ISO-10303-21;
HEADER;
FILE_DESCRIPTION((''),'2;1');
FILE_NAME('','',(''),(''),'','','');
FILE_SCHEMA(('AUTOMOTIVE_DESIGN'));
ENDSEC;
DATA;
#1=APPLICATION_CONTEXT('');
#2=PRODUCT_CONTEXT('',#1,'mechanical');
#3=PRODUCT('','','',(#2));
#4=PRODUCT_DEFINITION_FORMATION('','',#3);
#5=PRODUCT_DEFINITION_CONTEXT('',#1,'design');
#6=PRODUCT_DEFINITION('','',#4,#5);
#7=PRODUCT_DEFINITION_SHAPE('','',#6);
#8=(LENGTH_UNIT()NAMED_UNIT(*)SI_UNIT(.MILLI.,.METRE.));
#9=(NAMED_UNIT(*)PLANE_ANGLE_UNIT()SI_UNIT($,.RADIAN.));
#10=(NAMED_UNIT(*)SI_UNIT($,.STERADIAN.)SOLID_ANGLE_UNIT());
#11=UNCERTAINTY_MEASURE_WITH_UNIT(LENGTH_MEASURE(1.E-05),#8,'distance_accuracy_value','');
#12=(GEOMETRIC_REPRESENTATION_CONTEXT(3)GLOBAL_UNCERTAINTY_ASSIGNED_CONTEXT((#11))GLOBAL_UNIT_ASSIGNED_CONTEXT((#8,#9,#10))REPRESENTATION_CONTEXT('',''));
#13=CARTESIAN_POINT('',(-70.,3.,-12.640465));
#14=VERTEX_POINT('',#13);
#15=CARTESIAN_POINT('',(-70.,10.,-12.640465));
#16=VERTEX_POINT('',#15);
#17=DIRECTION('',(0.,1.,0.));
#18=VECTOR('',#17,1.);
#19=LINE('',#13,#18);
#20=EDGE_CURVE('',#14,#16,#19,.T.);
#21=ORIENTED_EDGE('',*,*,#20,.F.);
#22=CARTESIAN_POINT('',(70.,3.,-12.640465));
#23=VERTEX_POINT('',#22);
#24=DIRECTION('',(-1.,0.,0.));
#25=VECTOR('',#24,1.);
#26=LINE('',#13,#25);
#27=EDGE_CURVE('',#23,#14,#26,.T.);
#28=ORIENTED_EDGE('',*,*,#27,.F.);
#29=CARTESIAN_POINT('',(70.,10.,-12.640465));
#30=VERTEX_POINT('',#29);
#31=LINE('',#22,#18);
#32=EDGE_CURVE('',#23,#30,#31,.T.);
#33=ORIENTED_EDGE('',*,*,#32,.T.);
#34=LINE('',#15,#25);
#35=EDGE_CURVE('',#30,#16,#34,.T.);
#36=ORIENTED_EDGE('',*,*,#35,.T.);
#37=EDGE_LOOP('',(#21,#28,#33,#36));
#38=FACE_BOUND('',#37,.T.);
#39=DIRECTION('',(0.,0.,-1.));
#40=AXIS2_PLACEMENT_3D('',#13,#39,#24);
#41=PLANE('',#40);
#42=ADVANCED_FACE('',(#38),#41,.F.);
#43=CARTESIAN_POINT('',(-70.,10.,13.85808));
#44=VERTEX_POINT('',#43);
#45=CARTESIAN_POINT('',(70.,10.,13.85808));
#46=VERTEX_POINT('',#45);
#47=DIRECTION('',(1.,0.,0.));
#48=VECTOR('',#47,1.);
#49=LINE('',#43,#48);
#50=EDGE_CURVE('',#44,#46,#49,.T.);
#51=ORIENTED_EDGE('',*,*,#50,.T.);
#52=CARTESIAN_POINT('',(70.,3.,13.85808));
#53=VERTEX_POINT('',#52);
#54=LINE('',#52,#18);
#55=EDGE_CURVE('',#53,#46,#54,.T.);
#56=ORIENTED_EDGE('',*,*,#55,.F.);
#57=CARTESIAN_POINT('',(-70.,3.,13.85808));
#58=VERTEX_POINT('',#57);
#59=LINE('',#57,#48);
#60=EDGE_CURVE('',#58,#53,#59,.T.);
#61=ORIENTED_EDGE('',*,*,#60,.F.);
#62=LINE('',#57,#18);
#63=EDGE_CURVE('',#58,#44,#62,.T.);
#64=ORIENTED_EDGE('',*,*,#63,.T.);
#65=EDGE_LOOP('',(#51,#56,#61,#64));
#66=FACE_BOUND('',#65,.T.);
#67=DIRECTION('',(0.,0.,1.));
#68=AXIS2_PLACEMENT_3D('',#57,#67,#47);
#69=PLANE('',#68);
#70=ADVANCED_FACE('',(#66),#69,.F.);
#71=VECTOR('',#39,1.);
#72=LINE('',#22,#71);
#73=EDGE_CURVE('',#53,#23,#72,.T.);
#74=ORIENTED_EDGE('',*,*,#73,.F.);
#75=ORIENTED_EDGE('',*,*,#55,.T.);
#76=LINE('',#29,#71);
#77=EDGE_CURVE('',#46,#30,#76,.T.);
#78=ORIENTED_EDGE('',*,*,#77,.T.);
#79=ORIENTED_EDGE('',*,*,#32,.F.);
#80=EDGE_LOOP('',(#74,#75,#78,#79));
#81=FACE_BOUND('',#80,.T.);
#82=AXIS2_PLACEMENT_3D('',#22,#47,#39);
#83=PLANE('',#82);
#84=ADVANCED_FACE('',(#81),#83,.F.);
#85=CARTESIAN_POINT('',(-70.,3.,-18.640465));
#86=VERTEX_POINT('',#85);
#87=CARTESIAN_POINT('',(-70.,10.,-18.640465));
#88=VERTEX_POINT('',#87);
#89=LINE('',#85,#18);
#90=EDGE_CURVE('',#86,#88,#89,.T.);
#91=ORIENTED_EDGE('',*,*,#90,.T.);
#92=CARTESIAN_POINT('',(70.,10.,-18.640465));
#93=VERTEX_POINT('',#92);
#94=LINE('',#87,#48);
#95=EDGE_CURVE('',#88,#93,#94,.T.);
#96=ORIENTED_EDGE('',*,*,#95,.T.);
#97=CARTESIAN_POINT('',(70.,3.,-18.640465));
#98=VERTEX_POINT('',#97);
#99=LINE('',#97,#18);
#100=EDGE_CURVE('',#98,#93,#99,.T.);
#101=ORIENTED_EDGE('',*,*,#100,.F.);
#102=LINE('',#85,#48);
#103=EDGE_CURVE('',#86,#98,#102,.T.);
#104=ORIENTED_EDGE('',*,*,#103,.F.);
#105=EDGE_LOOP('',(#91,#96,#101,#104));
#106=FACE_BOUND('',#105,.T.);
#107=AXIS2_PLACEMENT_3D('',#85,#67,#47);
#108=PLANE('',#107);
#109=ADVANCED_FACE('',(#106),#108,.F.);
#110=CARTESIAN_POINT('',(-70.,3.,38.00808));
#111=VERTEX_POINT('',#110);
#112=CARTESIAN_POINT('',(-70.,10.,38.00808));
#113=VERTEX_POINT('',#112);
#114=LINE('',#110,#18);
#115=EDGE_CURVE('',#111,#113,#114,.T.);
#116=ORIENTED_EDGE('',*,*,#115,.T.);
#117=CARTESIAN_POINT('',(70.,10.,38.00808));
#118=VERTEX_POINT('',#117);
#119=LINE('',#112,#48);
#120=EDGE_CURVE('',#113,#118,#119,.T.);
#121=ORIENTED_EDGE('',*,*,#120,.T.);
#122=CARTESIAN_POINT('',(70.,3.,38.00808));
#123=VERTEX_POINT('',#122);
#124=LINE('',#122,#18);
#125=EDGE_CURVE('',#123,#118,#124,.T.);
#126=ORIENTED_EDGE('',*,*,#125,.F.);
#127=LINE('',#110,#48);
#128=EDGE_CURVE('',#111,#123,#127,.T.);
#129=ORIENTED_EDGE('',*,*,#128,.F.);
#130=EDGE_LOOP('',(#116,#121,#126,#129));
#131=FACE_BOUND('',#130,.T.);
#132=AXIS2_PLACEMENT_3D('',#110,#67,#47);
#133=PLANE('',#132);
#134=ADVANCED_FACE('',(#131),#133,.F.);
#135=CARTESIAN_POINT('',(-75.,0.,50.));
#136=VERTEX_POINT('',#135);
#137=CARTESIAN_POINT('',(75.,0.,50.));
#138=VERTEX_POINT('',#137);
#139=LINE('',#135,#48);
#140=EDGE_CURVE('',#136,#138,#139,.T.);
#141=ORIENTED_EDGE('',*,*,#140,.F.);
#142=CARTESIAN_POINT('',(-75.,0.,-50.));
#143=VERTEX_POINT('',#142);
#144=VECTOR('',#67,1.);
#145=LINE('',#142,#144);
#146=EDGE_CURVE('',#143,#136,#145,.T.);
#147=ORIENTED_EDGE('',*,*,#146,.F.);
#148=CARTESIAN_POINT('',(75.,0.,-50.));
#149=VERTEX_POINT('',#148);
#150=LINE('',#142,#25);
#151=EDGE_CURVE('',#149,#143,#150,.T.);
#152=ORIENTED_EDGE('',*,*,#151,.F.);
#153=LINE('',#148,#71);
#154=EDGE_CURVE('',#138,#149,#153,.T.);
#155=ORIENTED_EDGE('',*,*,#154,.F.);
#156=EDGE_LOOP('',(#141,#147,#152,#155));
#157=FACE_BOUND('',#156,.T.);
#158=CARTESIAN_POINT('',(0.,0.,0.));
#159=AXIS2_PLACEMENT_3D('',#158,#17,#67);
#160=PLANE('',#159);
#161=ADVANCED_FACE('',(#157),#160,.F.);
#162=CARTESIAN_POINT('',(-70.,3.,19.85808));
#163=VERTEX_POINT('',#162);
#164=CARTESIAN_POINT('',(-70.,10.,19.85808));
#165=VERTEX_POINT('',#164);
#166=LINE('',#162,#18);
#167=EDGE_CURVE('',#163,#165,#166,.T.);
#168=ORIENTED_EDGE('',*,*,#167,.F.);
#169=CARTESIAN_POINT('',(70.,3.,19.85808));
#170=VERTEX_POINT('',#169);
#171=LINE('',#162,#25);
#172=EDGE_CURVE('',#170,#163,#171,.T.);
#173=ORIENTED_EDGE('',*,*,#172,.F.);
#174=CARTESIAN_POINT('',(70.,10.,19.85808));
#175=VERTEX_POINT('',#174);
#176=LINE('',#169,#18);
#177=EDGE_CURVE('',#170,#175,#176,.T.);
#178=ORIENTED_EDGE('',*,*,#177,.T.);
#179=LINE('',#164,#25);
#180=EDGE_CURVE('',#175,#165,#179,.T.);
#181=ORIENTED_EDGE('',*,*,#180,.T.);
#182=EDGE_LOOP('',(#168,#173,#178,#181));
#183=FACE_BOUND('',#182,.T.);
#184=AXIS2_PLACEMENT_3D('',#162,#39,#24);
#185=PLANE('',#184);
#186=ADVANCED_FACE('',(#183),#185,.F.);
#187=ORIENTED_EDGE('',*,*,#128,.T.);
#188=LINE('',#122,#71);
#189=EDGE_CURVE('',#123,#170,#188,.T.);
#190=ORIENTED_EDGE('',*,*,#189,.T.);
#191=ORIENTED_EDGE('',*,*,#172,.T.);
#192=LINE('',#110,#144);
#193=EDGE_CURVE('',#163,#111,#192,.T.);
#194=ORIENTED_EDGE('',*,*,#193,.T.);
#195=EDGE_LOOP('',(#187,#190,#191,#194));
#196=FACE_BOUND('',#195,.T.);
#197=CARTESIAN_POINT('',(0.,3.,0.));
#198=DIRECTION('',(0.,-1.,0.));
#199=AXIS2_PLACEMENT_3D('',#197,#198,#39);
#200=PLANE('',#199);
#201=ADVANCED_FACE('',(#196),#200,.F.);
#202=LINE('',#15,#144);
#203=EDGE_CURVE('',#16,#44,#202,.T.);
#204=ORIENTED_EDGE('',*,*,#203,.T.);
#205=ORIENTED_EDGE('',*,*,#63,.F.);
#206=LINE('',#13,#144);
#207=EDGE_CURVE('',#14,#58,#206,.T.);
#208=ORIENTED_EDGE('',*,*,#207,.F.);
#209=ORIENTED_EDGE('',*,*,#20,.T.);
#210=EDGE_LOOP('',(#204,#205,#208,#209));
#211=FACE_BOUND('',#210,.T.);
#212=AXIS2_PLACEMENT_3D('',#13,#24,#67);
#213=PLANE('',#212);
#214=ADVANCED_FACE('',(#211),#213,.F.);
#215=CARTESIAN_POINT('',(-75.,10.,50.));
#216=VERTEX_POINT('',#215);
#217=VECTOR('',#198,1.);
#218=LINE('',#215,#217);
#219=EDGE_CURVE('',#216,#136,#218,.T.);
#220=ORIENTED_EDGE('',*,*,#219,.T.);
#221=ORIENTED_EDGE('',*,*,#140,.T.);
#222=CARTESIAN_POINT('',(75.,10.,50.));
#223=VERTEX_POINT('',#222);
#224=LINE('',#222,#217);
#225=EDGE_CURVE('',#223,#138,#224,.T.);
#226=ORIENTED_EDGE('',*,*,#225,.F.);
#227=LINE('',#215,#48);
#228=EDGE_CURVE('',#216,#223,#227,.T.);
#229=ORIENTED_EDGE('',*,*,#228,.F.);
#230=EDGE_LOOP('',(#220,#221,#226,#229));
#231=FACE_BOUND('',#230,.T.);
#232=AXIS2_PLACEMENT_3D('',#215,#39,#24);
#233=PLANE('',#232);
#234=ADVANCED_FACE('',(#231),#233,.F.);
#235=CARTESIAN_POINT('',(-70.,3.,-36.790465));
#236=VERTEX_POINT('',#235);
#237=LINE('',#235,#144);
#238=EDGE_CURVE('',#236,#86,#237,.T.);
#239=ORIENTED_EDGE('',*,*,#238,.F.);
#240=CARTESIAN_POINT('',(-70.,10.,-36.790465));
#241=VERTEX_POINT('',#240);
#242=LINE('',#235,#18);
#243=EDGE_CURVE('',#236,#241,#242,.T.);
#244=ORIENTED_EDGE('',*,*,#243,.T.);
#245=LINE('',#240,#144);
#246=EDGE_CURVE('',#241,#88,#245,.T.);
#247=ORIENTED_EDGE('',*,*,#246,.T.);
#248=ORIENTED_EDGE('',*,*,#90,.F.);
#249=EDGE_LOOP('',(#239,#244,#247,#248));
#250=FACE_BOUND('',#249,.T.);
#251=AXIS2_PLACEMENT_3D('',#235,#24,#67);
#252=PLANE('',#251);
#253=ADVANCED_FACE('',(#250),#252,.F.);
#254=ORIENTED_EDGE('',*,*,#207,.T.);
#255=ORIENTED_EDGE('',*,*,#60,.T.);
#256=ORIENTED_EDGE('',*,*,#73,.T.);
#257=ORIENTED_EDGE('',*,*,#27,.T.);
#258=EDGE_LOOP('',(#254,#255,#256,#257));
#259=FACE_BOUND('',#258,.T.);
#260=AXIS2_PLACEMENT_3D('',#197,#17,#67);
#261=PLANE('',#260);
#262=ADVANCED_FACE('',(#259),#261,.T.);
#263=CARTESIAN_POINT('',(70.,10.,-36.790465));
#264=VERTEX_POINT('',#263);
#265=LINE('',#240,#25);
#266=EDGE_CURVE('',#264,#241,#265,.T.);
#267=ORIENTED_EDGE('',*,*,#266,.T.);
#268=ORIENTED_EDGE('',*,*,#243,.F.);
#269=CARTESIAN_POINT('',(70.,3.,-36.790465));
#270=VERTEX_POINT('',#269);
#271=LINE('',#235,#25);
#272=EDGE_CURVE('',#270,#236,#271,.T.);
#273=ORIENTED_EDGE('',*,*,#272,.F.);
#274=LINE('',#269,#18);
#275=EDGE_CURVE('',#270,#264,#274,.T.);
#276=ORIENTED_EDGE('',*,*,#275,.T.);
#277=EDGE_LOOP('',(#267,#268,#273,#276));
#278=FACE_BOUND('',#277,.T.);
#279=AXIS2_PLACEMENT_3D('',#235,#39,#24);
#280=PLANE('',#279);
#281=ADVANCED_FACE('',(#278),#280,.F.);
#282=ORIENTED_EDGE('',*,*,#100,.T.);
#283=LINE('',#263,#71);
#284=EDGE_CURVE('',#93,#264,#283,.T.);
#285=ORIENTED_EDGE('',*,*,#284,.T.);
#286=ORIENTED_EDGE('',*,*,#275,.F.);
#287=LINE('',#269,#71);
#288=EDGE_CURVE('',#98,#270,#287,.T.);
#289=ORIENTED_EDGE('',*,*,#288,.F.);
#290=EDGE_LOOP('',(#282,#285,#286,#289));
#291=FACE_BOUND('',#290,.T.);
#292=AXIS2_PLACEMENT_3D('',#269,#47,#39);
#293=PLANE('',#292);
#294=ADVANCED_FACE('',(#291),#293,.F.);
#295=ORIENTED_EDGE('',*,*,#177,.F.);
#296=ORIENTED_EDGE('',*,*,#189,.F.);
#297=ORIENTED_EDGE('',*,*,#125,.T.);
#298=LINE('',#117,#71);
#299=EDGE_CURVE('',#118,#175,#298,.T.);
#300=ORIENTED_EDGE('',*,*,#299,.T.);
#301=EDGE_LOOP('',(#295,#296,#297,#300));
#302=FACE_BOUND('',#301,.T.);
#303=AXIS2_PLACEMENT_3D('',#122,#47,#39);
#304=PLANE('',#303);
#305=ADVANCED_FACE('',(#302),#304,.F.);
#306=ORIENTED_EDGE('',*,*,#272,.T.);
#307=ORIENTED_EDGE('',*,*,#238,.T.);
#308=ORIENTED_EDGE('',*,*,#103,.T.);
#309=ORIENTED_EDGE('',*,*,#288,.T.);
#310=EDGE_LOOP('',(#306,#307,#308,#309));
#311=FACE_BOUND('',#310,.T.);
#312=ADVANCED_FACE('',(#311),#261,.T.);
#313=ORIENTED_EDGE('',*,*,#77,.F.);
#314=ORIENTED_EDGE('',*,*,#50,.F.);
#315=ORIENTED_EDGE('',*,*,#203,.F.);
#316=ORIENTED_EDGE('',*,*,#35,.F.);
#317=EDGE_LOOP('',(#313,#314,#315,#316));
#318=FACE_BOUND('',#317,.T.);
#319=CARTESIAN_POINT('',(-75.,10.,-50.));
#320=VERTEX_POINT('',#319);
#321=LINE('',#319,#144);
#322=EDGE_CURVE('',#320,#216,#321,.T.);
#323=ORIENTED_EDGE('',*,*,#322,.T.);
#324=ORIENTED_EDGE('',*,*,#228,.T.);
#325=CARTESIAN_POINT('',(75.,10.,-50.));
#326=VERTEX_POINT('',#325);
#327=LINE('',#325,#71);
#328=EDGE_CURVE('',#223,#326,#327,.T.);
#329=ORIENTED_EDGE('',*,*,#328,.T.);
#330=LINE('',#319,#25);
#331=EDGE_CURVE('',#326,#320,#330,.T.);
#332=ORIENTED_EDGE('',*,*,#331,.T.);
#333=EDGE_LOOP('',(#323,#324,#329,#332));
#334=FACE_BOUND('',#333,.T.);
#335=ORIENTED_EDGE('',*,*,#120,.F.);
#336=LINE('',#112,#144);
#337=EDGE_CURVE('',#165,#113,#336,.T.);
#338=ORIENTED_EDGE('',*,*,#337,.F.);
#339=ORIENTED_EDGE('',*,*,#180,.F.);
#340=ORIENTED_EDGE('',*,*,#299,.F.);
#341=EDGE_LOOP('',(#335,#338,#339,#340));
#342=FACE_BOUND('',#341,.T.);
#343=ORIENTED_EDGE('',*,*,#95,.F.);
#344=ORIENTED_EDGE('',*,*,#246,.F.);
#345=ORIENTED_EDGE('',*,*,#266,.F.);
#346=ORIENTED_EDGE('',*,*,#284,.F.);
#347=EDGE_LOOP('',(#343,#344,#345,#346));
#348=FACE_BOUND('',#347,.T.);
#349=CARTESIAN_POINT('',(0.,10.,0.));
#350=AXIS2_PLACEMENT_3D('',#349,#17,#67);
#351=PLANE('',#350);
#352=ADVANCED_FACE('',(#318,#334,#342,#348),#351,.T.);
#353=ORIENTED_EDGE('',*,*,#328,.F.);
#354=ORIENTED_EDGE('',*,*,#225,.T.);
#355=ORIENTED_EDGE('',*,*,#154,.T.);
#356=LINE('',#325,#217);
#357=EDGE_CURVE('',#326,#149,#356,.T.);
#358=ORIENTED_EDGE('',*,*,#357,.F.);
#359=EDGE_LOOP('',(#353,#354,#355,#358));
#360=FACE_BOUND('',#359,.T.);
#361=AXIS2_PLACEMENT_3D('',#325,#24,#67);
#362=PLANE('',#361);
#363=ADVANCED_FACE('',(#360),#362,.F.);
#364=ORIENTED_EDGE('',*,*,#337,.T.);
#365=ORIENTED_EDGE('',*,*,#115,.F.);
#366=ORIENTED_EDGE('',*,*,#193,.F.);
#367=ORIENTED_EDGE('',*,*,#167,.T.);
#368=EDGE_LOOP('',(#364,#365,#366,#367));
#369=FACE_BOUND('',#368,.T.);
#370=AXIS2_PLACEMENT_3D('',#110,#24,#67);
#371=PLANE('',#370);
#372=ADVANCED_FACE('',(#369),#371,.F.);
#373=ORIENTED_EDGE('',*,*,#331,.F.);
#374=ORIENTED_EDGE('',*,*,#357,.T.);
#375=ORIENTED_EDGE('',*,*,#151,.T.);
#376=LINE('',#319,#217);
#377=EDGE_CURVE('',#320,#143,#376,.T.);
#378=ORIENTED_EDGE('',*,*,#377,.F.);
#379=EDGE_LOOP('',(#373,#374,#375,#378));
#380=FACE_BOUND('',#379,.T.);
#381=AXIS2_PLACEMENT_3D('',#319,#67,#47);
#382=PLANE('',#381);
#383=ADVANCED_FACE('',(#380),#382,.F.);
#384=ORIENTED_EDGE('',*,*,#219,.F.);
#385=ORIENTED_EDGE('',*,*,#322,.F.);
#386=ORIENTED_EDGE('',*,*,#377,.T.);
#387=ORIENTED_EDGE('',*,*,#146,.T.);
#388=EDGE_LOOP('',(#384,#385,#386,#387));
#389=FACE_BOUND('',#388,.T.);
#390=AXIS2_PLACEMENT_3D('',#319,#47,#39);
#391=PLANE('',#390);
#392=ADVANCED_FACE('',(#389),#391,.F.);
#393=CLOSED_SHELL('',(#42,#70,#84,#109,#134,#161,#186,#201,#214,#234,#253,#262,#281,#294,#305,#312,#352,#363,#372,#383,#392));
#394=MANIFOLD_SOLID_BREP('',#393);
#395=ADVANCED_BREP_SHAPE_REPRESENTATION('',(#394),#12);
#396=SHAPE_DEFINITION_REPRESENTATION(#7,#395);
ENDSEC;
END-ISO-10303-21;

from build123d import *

# Parameters (mm, degrees)
SKETCH1_W           = 150
SKETCH1_H           = 100
BOSS_EXTRUDE1_DEPTH = 10
SKETCH2_W           = 140
SKETCH2_H           = 18.15
SKETCH2_H_2         = 26.498544255
CUT_EXTRUDE1_DEPTH  = 7


with BuildPart() as part:
    # Sketch1 → Boss-Extrude1 (new body)
    with BuildSketch(Plane(origin=(0, 0, 0), x_dir=(1, 0, 0), z_dir=(0, 1, 0))):
        Rectangle(SKETCH1_W, SKETCH1_H)
    extrude(amount=BOSS_EXTRUDE1_DEPTH)

    # Sketch2 → Cut-Extrude1 (cut)
    with BuildSketch(Plane(origin=(0, 10, 0), x_dir=(1, 0, 0), z_dir=(0, 1, 0))):
        with Locations((0, -28.933079552)):
            Rectangle(SKETCH2_W, SKETCH2_H)
        with Locations((0, 27.715464703)):
            Rectangle(SKETCH2_W, SKETCH2_H)
        with Locations((0, -0.608807425)):
            Rectangle(SKETCH2_W, SKETCH2_H_2)
    extrude(amount=-CUT_EXTRUDE1_DEPTH, mode=Mode.SUBTRACT)


solid = part.part
